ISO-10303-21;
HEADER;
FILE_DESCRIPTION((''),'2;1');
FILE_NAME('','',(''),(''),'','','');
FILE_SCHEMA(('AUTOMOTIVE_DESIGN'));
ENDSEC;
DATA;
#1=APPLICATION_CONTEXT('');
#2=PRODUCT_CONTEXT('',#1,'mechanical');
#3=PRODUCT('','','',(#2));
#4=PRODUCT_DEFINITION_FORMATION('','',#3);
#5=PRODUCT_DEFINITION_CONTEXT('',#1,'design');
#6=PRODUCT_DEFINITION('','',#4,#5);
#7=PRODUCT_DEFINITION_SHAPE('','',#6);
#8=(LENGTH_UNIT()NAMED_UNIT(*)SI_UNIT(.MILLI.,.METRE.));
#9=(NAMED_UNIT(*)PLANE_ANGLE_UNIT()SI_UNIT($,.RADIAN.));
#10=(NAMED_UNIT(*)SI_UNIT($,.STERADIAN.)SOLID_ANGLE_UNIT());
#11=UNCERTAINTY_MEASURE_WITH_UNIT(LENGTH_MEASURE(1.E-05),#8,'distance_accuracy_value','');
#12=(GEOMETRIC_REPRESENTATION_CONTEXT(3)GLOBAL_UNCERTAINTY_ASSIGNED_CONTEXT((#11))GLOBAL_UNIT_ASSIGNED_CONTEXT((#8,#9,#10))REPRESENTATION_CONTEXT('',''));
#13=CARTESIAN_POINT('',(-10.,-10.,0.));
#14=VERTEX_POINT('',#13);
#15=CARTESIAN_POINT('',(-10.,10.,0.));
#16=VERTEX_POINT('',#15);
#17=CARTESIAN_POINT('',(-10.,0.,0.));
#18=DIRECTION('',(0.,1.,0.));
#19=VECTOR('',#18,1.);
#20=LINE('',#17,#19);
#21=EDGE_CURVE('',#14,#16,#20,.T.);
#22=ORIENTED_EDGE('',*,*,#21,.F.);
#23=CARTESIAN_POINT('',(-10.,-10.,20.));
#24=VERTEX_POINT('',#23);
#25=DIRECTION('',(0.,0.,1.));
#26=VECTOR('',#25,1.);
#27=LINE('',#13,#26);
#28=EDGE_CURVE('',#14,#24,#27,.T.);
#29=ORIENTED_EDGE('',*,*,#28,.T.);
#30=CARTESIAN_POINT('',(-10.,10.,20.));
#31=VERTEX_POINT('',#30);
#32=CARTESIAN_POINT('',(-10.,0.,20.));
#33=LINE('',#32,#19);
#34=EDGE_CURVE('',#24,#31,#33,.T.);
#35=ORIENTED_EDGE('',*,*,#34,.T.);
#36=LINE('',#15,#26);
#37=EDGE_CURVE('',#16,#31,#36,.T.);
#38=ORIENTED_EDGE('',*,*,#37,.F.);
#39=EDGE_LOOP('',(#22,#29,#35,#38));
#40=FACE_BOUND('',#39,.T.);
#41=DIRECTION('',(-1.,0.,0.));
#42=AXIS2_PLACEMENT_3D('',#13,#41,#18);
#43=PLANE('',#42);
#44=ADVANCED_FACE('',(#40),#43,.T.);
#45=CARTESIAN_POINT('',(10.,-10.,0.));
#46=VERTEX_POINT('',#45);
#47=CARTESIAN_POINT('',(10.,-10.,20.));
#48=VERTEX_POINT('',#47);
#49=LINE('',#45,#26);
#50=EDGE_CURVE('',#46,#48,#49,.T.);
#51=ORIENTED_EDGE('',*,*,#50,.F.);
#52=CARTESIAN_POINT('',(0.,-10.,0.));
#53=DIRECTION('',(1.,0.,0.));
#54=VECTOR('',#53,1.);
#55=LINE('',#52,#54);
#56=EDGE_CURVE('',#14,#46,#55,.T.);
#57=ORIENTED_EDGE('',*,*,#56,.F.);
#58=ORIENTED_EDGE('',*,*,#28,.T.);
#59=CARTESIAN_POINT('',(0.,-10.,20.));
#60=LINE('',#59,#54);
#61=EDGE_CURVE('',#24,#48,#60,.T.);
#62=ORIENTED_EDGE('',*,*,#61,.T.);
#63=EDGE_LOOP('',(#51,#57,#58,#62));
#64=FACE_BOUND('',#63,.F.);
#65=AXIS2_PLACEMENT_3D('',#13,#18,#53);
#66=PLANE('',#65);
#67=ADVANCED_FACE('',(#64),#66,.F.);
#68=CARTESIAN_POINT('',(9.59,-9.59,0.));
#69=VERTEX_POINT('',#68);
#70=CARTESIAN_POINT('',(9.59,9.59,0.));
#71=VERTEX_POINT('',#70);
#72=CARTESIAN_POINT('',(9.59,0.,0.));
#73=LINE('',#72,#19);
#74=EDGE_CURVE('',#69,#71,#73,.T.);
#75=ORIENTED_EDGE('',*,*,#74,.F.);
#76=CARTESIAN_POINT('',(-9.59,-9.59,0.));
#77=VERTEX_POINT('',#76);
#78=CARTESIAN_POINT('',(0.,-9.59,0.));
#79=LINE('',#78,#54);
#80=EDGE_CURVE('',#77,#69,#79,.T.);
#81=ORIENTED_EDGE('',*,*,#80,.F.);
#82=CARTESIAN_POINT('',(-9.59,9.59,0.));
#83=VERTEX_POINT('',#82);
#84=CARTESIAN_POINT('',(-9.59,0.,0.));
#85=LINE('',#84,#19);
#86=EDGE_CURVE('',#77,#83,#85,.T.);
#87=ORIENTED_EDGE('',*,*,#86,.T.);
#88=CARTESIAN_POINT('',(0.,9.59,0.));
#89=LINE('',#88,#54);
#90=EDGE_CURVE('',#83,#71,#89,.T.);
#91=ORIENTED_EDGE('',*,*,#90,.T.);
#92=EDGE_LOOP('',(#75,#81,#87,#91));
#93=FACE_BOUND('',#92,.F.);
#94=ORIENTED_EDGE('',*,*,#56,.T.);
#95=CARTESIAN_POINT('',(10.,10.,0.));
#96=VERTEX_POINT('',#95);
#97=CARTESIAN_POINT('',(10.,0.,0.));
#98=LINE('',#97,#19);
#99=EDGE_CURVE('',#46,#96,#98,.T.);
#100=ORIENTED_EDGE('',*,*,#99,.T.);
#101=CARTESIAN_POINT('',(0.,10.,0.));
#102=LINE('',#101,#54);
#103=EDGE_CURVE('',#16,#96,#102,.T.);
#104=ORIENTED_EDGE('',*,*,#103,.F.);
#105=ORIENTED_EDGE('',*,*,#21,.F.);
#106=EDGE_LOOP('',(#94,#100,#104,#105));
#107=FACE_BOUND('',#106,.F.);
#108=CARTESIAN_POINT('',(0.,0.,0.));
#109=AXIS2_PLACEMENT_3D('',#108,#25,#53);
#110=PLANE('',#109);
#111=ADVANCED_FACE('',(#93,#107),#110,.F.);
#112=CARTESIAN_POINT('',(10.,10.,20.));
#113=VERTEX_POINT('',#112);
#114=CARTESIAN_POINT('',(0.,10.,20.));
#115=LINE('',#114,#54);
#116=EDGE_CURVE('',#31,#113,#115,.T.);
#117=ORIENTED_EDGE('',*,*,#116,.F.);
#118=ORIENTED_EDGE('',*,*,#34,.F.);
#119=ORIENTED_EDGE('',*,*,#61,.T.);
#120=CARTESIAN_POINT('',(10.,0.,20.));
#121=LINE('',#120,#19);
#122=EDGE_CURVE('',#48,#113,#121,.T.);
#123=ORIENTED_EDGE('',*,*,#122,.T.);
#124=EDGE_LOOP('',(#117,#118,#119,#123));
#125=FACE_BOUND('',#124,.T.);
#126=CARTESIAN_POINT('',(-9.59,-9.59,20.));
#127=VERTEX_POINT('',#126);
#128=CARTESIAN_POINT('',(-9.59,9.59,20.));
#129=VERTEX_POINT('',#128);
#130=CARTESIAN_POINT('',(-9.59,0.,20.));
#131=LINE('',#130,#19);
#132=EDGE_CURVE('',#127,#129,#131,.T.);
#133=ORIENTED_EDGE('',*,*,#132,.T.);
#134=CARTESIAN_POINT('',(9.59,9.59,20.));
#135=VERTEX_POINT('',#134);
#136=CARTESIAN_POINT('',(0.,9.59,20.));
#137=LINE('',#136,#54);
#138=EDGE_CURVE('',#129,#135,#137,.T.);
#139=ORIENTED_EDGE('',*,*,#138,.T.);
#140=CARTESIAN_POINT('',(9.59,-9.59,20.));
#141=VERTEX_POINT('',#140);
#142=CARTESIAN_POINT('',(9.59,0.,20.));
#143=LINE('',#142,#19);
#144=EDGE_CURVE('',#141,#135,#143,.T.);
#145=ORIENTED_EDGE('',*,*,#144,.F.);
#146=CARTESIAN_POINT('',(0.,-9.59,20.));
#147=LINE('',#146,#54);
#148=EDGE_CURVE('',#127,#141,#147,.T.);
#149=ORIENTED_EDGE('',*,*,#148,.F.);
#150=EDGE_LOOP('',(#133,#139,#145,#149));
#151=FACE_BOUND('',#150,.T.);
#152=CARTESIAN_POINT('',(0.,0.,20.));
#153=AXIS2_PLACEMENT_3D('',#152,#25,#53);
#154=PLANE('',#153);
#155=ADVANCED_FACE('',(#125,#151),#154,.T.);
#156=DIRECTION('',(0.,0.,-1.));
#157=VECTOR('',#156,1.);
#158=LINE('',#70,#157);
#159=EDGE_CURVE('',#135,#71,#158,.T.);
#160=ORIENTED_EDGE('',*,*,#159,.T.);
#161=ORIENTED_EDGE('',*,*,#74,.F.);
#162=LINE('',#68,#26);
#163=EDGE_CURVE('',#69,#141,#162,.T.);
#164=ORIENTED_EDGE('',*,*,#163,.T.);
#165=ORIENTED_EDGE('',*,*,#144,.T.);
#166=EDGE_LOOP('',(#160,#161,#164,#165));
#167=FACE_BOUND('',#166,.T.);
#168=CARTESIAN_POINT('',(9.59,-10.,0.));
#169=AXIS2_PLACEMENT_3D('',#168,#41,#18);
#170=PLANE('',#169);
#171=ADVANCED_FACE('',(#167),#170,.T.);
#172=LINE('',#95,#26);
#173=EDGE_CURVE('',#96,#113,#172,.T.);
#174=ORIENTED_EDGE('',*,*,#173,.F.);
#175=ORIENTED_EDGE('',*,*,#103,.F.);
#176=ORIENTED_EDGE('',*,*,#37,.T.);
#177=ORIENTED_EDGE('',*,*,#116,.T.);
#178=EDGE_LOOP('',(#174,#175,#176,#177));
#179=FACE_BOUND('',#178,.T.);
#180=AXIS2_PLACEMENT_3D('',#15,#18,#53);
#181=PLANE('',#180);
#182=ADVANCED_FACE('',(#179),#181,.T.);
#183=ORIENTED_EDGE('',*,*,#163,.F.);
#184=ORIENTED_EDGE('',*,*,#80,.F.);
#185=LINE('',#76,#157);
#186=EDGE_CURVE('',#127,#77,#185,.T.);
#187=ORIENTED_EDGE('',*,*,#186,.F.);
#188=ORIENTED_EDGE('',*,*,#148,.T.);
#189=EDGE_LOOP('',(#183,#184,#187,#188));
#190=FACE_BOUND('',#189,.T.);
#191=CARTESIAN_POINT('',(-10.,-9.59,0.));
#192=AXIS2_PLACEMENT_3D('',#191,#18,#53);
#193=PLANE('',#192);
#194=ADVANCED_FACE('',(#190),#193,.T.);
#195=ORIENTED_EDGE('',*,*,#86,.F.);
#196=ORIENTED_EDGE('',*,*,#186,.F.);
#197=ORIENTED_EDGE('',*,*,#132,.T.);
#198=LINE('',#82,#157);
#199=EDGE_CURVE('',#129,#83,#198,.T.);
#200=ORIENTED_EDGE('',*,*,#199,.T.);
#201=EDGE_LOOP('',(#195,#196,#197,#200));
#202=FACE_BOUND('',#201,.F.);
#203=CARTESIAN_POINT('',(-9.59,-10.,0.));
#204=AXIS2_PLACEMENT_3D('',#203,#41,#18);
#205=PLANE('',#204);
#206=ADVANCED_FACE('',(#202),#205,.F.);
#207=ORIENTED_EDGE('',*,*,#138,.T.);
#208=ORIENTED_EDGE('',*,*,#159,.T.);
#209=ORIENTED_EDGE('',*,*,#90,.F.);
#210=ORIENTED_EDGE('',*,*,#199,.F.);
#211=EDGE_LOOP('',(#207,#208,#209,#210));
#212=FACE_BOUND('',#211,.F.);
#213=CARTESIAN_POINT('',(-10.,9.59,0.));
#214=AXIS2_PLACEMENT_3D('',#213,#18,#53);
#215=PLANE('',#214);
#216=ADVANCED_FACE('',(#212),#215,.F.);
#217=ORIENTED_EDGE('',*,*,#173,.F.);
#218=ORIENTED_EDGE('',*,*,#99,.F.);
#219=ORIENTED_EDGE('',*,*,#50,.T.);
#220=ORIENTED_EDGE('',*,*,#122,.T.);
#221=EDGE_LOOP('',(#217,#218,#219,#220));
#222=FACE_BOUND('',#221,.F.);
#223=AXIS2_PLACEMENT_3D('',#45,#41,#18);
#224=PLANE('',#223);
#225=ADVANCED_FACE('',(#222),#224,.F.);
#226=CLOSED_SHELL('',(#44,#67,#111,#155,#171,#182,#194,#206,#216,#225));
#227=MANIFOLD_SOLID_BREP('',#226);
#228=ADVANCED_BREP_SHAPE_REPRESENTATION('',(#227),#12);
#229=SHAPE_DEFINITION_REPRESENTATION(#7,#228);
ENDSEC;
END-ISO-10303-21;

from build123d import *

# Parameters (mm, degrees)
F0_W     = 20
F0_H     = 20
F1_DEPTH = 20
F2_T     = -0.41


with BuildPart() as f1:
    # F0 (on Top) → F1 (new body)
    with BuildSketch(Plane.XY):
        Rectangle(F0_W, F0_H)
    extrude(amount=F1_DEPTH)

    # F2
    f2_openings = [f1.faces().sort_by_distance(p)[0] for p in [
        (0, 0, 20),
        (0, 0, 0),
    ]]
    offset(amount=F2_T, openings=f2_openings)


solid = f1.part
